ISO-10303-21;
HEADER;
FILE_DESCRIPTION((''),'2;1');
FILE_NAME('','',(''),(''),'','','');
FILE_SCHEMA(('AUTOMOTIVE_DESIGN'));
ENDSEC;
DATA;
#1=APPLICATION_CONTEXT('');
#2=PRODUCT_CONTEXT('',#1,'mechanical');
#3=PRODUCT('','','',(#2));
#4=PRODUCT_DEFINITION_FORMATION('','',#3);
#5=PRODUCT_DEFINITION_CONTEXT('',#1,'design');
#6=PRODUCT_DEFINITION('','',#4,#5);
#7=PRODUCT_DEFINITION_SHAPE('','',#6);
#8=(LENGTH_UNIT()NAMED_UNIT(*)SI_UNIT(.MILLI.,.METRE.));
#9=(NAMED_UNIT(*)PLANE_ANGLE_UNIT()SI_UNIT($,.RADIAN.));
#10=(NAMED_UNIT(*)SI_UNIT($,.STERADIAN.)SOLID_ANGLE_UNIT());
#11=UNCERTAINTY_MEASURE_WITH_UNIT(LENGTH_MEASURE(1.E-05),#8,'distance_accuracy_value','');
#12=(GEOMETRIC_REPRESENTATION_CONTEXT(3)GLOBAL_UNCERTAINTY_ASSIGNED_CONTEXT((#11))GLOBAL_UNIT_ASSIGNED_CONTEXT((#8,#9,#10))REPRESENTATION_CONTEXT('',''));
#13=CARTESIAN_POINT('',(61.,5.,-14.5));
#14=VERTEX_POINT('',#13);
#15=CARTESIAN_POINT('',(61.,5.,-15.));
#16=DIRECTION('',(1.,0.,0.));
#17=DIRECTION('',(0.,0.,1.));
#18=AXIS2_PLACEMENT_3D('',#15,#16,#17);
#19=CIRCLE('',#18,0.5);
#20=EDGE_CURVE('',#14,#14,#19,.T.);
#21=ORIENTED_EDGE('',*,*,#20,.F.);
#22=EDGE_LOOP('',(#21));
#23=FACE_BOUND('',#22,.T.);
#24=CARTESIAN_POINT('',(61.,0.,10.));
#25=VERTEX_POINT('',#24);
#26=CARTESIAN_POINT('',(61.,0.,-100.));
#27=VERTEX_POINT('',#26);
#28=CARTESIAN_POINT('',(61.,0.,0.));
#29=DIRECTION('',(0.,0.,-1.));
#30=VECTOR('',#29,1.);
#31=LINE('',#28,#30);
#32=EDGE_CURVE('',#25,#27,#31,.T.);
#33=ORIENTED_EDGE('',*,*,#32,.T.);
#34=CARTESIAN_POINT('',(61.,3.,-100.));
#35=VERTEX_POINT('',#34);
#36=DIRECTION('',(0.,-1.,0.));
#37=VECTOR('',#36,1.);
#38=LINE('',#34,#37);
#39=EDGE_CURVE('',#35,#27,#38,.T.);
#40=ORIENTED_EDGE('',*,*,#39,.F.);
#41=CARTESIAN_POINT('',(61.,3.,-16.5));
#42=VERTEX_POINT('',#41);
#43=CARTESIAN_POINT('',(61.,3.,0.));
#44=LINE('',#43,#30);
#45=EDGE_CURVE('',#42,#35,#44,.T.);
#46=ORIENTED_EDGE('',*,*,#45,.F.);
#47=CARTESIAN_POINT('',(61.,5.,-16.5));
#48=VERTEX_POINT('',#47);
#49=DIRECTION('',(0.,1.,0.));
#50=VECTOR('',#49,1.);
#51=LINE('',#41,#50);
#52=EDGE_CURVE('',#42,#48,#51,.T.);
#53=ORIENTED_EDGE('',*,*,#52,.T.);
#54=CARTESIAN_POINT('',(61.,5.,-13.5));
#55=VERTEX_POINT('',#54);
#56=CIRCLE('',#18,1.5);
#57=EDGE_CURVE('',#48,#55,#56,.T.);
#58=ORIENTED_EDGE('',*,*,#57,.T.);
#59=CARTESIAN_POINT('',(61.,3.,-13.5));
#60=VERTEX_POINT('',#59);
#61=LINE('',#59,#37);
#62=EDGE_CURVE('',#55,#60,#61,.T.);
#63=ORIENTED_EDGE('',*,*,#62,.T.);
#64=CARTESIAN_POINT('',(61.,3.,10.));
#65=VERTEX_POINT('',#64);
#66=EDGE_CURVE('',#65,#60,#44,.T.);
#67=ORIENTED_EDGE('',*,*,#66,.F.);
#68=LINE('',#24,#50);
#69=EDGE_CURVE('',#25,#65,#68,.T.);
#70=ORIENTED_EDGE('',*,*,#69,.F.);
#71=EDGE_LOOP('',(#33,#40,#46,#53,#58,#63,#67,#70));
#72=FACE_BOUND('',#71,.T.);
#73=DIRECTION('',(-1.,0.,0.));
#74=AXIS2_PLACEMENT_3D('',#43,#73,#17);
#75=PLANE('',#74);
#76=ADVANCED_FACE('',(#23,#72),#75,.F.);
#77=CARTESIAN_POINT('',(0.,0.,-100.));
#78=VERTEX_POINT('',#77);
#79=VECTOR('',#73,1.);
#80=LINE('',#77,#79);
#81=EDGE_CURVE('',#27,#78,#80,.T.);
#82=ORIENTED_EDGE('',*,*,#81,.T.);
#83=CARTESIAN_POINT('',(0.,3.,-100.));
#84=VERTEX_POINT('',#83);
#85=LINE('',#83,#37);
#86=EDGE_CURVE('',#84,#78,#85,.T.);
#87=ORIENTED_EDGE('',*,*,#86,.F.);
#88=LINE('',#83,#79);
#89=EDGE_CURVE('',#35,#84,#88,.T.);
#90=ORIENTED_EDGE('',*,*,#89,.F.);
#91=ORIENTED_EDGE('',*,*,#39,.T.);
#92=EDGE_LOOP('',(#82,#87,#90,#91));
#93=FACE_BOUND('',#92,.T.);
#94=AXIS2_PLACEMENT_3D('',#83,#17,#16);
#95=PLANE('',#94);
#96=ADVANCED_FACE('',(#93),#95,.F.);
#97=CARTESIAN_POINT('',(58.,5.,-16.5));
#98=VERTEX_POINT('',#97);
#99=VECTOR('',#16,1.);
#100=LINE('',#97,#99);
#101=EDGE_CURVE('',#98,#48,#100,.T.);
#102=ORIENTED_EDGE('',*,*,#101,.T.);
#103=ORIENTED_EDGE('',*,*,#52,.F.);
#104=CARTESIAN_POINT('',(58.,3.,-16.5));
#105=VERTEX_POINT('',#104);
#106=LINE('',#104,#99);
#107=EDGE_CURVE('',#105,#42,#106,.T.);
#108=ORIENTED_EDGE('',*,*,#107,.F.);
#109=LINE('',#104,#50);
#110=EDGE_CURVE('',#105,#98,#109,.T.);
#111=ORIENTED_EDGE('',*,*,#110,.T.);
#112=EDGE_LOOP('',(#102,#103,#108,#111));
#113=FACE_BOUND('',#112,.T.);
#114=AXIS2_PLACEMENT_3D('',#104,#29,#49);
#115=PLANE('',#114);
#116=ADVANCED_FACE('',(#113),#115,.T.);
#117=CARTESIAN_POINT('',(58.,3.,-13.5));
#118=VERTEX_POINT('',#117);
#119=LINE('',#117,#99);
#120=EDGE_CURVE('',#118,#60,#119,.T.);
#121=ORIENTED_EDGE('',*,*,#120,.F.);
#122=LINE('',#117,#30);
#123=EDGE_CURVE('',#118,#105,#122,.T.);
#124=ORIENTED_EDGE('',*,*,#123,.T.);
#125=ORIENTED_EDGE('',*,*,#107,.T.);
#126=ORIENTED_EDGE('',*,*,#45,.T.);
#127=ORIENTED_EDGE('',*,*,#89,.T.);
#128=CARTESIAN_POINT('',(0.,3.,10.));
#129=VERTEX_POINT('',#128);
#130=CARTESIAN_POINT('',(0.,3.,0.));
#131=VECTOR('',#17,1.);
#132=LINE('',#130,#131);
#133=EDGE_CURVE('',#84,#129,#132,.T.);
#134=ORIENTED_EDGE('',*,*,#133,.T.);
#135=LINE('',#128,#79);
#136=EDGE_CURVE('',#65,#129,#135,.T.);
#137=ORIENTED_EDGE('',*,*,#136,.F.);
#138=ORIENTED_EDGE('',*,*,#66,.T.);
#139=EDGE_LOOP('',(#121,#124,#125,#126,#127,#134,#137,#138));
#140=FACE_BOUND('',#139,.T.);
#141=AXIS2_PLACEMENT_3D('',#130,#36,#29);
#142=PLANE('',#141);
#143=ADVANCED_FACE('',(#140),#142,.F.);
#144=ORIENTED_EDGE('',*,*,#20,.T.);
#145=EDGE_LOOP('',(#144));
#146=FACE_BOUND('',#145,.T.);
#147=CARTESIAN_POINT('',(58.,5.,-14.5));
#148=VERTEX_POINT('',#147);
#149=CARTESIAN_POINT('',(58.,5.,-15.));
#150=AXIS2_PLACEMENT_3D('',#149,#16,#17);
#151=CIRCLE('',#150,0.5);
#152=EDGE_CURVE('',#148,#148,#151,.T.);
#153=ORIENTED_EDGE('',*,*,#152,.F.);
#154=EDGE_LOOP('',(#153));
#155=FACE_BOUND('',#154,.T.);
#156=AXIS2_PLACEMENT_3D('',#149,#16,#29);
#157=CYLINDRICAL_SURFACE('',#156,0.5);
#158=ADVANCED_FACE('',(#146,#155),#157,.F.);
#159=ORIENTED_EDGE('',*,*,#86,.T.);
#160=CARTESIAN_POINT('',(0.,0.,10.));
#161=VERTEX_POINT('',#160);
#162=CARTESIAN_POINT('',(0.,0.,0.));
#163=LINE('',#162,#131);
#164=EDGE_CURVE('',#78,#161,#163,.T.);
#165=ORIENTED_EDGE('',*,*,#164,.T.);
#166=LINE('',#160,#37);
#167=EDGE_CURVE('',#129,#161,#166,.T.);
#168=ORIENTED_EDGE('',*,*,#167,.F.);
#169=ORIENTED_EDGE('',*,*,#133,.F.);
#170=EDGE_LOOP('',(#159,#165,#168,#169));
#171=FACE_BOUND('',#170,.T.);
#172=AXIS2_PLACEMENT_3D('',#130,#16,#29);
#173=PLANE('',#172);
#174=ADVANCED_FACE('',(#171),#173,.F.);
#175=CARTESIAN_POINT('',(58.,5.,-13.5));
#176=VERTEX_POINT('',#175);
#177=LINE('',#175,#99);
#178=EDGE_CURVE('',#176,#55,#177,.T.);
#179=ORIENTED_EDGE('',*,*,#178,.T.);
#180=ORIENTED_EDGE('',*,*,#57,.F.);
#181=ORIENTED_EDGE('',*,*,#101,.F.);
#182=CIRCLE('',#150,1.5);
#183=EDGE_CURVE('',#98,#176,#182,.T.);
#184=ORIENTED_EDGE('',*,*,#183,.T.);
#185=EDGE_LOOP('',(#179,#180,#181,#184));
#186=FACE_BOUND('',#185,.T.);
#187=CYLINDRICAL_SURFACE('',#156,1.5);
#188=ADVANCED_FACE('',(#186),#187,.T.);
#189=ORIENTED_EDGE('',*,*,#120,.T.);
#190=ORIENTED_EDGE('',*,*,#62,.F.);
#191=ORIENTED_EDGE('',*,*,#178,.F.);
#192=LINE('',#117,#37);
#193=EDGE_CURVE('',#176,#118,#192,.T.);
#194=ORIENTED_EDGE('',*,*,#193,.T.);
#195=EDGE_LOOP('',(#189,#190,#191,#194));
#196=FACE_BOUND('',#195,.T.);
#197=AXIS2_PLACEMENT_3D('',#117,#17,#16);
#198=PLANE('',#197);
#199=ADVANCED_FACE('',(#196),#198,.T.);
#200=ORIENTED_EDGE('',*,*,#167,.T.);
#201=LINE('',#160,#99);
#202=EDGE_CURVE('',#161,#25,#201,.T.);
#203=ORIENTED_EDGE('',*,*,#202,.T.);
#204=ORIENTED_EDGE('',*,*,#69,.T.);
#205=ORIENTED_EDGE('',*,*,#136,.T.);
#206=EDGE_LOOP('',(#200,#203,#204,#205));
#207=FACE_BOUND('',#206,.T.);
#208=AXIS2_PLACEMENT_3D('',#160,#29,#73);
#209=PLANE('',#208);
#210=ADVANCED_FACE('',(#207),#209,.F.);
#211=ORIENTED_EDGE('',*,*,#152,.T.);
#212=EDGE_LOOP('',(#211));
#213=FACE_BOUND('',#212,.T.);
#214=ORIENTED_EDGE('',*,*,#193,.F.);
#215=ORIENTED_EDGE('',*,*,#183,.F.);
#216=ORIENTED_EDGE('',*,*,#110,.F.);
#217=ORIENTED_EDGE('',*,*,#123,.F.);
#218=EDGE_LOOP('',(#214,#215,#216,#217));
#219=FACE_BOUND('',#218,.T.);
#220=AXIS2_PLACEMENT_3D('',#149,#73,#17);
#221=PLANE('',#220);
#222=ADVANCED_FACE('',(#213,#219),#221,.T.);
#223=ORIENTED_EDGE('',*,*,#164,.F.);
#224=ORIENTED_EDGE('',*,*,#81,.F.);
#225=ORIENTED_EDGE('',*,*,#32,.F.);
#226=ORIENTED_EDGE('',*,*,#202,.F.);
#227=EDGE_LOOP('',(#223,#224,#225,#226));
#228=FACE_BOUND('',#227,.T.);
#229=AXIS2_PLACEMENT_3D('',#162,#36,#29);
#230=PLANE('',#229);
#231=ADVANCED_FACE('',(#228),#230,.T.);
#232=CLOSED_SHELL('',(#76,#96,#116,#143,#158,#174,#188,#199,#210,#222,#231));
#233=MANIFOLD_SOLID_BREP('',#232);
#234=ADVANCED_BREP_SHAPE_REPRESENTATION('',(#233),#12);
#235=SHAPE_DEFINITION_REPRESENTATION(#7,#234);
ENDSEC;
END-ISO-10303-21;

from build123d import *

# Parameters (mm, degrees)
SKETCH1_W           = 61
SKETCH1_H           = 100
BOSS_EXTRUDE1_DEPTH = 3
SKETCH4_W           = 61
SKETCH4_H           = 3
BOSS_EXTRUDE3_DEPTH = 10
SKETCH8_R           = 0.5
BOSS_EXTRUDE6_DEPTH = 3


with BuildPart() as part:
    # Sketch1 → Boss-Extrude1 (new body)
    with BuildSketch(Plane(origin=(0, 0, 0), x_dir=(1, 0, 0), z_dir=(0, 1, 0))):
        with Locations((30.5, 50)):
            Rectangle(SKETCH1_W, SKETCH1_H)
    extrude(amount=BOSS_EXTRUDE1_DEPTH)

    # Sketch4 → Boss-Extrude3 (add)
    with BuildSketch(Plane.XY):
        with Locations((30.5, 1.5)):
            Rectangle(SKETCH4_W, SKETCH4_H)
    extrude(amount=BOSS_EXTRUDE3_DEPTH)

    # Sketch8 → Boss-Extrude6 (add)
    with BuildSketch(Plane(origin=(61, 0, 0), x_dir=(0, 0, -1), z_dir=(1, 0, 0))):
        with BuildLine():
            Line((13.5, 3), (16.5, 3))
            Line((16.5, 3), (16.5, 5))
            ThreePointArc((16.5, 5), (15, 6.5), (13.5, 5))
            Line((13.5, 5), (13.5, 3))
        make_face()
        with Locations(Location((15, 5, 0), (0, 0, 180))):
            Circle(SKETCH8_R, mode=Mode.SUBTRACT)
    extrude(amount=-BOSS_EXTRUDE6_DEPTH)


solid = part.part
